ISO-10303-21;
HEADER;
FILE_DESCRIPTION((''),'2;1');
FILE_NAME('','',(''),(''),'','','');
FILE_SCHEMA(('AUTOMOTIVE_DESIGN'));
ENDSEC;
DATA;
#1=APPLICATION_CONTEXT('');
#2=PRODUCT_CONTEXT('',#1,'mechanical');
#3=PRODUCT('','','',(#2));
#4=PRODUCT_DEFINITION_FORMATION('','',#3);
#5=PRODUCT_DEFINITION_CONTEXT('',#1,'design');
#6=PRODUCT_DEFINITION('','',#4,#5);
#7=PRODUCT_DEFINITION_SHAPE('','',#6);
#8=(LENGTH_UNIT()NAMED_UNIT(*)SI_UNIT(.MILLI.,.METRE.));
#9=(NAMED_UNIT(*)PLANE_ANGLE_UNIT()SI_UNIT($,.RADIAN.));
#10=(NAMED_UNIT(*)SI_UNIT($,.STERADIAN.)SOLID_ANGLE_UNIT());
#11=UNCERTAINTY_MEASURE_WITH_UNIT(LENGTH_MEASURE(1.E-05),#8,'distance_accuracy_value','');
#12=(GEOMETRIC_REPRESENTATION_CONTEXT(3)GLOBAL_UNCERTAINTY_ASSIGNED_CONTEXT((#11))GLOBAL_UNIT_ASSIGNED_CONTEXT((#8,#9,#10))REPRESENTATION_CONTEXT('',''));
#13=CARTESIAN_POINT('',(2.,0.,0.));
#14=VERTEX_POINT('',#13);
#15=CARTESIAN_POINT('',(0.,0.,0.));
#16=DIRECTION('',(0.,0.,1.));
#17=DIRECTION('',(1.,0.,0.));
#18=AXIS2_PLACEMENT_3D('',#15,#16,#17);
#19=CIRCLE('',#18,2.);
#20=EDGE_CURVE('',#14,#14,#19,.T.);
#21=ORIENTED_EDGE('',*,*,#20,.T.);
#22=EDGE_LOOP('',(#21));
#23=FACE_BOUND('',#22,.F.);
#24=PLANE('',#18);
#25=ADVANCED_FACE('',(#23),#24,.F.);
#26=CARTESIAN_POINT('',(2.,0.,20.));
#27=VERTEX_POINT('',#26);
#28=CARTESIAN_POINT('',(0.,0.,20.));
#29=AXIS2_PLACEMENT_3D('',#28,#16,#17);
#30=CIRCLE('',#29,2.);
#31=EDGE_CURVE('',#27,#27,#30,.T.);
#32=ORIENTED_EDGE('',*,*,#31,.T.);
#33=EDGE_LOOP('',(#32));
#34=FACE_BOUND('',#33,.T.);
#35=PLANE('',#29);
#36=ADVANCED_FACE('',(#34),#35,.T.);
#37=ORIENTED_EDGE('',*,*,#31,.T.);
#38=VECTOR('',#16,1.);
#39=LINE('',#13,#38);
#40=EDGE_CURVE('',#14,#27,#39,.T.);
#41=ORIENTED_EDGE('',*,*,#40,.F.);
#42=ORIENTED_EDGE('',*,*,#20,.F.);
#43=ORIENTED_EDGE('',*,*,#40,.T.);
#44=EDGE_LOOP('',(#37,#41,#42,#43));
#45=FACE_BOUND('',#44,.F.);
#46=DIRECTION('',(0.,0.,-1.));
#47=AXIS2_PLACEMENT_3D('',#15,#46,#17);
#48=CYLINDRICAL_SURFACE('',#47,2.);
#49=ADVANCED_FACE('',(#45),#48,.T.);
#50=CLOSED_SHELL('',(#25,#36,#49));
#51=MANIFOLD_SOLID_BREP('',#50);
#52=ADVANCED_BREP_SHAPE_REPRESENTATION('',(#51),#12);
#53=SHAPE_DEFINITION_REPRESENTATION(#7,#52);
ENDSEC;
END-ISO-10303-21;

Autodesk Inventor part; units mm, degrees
ref_plane "YZ Plane" through (0, 0, 0) normal (1, 0, 0) x (0, 1, 0)
ref_plane "XZ Plane" through (0, 0, 0) normal (0, 1, 0) x (-1, 0, 0)
ref_plane "XY Plane" through (0, 0, 0) normal (0, 0, 1) x (1, 0, 0)
sketch "スケッチ1" plane through (0, 0, 0) normal (0, 0, 1) x (1, 0, 0)
  circle A0 centre (0, 0) radius 2
  dimension "d0" = 4
extrude "押し出し1" add sketch "スケッチ1" along normal blind 20
properties part number "平行ピン　φ4　長さ20" material "ステンレス鋼"
